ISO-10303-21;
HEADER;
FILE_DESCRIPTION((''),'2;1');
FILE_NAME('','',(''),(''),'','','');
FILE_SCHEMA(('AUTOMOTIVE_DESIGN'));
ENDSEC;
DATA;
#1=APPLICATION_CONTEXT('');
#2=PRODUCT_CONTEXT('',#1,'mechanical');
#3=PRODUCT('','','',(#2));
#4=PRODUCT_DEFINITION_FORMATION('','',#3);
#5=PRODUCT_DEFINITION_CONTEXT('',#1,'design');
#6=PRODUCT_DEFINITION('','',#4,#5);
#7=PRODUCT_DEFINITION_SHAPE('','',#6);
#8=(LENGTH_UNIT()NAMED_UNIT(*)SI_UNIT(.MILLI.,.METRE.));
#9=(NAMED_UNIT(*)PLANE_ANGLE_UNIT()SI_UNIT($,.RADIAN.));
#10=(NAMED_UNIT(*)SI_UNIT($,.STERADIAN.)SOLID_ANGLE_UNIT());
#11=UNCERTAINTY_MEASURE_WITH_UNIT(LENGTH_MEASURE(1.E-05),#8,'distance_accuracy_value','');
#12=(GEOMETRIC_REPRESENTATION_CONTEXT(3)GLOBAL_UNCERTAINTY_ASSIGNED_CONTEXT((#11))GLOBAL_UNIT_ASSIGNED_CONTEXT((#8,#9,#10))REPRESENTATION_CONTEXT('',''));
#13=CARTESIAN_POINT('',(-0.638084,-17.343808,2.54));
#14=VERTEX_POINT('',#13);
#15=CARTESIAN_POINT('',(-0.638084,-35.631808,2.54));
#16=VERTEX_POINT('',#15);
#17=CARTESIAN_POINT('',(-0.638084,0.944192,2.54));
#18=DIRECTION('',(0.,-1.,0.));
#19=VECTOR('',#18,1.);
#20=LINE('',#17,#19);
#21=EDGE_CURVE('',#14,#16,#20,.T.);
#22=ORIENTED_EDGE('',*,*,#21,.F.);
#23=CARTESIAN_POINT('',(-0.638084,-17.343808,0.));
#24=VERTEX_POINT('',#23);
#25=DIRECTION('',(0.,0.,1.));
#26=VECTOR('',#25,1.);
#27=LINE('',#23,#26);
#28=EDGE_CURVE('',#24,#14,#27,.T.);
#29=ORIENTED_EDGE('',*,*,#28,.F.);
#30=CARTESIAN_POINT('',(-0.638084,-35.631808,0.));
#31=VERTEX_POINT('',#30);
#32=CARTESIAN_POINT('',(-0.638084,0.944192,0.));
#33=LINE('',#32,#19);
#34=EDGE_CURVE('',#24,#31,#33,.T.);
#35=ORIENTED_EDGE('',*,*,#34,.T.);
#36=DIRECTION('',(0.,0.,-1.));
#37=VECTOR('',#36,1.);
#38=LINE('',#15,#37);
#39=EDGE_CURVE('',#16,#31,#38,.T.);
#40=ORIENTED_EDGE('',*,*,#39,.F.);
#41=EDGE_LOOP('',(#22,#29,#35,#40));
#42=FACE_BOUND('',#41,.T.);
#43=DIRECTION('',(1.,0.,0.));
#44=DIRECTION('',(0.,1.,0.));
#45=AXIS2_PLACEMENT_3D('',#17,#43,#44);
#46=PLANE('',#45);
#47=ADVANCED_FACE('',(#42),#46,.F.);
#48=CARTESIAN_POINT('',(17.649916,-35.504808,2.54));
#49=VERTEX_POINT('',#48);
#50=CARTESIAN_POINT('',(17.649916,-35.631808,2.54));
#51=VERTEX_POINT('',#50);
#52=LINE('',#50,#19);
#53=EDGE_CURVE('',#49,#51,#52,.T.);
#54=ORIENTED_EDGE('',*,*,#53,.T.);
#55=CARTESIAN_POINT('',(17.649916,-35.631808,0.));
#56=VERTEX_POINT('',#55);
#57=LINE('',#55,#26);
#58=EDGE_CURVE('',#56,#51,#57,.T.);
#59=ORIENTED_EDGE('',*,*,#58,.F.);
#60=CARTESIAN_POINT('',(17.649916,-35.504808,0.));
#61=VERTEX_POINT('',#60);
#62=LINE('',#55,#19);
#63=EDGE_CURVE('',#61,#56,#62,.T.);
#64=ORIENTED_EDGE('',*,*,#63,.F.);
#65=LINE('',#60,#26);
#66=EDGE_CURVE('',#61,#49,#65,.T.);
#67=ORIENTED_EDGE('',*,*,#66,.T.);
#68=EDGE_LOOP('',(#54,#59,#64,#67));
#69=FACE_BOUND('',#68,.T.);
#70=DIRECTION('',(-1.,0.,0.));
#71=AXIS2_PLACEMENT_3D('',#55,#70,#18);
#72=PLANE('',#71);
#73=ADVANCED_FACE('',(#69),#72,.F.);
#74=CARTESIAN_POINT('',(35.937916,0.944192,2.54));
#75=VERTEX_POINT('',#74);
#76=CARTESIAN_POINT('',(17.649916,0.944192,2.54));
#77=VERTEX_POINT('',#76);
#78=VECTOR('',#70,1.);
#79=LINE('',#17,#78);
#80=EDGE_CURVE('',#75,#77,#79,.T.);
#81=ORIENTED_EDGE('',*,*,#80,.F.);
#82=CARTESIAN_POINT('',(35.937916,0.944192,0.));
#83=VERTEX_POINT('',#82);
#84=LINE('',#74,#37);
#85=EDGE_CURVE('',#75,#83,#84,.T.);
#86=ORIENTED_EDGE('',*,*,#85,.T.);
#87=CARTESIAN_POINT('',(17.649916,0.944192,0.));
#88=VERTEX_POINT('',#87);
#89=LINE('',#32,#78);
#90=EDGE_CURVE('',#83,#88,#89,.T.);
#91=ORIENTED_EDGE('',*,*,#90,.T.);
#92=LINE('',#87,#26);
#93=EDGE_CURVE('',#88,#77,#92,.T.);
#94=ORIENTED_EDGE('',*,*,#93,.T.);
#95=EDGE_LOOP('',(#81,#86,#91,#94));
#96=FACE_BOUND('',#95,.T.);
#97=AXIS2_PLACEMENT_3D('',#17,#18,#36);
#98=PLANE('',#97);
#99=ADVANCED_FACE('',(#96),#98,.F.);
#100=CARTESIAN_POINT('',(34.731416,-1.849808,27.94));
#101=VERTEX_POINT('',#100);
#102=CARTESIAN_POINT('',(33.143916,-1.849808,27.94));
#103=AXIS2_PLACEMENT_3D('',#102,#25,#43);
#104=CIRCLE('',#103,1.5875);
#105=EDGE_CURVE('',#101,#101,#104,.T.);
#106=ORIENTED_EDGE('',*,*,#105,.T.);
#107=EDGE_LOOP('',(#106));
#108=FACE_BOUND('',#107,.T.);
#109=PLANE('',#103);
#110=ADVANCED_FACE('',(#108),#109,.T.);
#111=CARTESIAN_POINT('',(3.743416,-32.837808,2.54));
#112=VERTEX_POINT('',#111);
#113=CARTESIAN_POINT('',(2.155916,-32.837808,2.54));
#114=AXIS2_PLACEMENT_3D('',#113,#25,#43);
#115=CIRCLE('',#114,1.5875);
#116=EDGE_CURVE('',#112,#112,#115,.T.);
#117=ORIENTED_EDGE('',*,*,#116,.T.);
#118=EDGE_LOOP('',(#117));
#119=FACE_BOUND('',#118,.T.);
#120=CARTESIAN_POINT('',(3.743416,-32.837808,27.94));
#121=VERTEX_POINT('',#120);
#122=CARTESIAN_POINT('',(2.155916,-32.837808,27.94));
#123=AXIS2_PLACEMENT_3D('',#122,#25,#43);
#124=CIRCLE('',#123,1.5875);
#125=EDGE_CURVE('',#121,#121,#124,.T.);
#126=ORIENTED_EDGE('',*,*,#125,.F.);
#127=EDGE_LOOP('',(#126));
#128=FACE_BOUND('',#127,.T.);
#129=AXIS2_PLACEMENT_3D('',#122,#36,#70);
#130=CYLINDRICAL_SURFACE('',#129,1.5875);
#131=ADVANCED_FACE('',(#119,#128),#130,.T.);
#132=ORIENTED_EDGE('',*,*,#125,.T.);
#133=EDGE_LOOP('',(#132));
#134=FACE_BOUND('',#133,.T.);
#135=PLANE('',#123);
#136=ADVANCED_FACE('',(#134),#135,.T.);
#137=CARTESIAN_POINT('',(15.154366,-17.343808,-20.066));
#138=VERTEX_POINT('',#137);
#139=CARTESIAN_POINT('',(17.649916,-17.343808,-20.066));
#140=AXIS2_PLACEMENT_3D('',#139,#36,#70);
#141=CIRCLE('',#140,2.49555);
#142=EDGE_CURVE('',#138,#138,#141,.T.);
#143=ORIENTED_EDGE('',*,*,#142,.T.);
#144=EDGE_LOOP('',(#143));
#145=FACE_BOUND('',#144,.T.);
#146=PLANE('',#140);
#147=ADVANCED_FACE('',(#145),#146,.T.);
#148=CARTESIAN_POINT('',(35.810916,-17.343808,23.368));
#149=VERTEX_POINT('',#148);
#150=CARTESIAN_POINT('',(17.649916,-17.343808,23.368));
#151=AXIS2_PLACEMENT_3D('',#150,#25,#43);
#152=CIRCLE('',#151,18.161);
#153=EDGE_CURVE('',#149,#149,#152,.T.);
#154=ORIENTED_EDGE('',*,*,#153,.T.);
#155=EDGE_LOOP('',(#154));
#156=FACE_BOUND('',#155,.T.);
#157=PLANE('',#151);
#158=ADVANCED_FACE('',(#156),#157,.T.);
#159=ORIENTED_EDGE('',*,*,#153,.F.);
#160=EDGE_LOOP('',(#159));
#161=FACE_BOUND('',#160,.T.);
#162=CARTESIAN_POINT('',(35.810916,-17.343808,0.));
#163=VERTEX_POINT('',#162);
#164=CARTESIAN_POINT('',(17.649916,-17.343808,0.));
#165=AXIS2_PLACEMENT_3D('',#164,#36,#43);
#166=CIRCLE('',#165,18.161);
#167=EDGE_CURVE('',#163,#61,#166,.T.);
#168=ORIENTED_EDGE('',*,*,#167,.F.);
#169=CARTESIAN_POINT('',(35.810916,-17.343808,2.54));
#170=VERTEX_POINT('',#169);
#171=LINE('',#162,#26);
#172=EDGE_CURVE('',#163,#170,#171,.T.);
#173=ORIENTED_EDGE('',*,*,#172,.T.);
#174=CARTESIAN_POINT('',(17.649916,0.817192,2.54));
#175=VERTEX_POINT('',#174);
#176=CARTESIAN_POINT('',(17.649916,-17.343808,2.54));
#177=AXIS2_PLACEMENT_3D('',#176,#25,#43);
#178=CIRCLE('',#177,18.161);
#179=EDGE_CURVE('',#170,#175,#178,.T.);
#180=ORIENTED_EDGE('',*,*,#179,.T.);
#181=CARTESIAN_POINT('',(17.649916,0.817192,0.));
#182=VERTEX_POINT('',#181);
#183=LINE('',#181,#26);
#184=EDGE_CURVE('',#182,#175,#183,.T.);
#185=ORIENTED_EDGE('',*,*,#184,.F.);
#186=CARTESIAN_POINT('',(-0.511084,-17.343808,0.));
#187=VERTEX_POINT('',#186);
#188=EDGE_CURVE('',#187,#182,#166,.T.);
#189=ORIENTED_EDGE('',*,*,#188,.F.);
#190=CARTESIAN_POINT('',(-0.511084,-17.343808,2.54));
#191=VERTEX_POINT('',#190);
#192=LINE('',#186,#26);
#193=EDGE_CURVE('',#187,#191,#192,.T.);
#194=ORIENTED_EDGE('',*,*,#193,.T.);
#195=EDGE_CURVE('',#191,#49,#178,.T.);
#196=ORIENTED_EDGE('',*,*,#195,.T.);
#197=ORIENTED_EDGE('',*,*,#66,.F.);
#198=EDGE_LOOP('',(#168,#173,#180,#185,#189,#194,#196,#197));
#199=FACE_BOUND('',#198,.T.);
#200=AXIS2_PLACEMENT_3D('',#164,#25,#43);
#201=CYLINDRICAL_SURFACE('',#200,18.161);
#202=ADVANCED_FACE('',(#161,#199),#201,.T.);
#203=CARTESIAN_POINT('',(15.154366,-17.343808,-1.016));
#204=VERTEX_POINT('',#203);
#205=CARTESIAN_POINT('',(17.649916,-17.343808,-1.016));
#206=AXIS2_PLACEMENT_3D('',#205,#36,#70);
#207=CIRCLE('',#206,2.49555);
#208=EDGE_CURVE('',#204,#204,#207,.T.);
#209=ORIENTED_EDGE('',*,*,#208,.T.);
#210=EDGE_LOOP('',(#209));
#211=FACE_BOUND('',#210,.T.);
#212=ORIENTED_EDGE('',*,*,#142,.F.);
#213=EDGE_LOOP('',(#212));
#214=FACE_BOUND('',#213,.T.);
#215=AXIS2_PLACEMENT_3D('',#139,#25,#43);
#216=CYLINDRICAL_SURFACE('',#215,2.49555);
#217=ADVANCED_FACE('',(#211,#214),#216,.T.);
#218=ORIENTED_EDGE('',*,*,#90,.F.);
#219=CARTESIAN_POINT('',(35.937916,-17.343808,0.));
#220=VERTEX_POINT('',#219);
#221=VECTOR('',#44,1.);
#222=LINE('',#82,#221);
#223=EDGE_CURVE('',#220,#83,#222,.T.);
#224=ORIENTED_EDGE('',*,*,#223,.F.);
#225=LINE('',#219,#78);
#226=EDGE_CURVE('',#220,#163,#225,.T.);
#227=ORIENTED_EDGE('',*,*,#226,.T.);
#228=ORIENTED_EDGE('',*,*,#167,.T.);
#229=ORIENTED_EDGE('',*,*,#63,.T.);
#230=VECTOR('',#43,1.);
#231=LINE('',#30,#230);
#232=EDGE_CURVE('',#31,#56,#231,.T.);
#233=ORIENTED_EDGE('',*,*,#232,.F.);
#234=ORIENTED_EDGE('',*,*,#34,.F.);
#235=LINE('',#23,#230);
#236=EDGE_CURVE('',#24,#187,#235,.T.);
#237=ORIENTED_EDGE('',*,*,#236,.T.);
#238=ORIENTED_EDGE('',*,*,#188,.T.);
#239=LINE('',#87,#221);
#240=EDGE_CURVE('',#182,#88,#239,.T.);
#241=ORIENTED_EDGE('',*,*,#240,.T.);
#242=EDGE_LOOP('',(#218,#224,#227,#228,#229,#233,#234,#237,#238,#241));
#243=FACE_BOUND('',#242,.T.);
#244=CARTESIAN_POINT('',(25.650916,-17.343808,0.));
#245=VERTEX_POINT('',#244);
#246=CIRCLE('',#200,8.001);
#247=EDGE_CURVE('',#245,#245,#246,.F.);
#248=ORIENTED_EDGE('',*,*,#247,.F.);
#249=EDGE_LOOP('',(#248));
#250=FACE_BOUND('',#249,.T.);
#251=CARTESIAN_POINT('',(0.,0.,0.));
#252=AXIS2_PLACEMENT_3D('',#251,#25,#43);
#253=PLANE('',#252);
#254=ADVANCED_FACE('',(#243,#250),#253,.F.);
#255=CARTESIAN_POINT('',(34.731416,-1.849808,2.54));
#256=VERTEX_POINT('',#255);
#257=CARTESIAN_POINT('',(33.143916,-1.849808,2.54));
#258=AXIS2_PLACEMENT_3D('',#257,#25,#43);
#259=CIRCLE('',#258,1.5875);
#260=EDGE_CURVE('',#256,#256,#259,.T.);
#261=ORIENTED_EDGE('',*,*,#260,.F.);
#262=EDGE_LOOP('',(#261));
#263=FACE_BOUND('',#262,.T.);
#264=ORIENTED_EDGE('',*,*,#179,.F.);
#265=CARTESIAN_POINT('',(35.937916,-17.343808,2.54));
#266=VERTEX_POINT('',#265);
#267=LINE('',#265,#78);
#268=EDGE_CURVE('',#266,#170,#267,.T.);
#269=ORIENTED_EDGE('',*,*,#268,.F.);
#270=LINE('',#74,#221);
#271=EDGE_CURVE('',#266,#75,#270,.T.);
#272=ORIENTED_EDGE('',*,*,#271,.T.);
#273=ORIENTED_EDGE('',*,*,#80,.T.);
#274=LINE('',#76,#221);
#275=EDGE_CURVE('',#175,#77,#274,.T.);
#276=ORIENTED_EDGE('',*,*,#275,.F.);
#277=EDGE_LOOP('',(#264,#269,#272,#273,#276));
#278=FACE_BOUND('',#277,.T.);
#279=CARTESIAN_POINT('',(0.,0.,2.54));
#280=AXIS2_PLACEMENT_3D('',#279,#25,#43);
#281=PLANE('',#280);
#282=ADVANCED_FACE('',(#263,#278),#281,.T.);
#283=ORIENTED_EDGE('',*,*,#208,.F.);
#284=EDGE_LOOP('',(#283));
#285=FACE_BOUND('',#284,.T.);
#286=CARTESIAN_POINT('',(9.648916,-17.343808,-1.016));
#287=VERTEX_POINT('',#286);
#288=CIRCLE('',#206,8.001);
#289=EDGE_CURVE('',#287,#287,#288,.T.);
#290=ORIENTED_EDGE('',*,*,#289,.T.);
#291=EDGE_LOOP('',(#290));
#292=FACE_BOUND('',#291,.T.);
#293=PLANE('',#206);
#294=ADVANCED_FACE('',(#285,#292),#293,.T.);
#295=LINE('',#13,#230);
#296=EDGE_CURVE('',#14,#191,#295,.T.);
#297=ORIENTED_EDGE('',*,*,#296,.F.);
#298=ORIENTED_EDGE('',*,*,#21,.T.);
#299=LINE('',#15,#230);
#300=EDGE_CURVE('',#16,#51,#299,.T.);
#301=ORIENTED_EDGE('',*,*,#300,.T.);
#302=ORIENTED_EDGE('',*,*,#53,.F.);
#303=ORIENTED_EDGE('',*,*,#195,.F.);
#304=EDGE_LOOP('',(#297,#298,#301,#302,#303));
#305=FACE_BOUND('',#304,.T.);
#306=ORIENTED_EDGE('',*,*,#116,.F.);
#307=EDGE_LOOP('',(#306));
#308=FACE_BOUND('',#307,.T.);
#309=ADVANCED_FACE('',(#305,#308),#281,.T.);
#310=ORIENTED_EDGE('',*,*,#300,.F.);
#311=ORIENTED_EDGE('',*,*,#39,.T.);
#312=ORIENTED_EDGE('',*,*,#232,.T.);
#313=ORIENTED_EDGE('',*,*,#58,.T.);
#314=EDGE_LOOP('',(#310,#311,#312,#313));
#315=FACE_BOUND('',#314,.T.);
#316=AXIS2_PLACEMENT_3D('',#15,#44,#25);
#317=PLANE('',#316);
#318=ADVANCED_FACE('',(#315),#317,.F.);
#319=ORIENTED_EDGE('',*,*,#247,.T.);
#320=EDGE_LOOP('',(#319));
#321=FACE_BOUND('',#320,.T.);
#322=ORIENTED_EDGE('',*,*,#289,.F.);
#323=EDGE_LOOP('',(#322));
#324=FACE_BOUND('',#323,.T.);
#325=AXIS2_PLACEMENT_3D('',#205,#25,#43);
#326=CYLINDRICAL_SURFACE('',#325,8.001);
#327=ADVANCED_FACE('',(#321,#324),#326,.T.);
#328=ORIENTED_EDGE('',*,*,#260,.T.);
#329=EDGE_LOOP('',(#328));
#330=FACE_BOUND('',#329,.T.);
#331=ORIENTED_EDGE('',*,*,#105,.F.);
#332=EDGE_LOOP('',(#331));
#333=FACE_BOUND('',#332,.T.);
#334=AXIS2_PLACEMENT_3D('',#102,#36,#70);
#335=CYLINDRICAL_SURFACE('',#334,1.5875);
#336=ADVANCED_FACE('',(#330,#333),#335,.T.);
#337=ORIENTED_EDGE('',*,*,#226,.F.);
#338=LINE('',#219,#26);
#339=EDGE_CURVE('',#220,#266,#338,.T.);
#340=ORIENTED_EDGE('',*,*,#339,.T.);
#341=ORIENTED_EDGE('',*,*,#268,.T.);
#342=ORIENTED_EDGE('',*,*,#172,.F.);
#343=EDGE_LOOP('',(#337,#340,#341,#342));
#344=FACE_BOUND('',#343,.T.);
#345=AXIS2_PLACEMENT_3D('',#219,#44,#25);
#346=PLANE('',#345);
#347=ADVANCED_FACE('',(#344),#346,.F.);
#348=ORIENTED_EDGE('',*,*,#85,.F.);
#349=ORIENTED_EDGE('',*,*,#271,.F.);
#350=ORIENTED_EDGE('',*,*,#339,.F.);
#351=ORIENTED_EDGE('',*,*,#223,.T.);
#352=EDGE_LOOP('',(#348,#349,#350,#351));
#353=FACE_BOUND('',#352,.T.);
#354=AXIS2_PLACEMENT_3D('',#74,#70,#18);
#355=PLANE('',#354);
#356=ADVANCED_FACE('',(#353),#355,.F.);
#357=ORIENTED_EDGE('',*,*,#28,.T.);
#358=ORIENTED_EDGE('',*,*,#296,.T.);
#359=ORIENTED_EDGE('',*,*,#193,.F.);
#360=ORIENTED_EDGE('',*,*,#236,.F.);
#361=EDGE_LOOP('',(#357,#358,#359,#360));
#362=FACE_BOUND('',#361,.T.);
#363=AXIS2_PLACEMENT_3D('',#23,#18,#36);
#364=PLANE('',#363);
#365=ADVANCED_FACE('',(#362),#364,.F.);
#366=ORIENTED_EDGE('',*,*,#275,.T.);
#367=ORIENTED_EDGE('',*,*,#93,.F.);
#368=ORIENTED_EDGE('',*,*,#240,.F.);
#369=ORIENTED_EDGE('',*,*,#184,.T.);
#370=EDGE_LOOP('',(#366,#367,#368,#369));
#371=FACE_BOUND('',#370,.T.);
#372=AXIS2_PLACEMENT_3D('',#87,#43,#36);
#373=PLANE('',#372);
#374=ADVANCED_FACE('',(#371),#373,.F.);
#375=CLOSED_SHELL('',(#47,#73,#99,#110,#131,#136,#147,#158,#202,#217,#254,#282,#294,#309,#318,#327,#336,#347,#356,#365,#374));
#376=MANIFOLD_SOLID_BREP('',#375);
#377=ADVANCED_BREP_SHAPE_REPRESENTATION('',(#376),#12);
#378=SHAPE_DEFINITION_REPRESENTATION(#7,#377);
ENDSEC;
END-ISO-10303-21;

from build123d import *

# Parameters (mm, degrees)
SKETCH1_W           = 36.576
SKETCH1_H           = 36.576
BOSS_EXTRUDE1_DEPTH = 2.54
SKETCH2_R           = 1.5875
BOSS_EXTRUDE2_DEPTH = 25.4
CUT_EXTRUDE4_DEPTH  = 3.54
SKETCH4_R           = 8.001
BOSS_EXTRUDE3_DEPTH = 1.016
SKETCH5_R           = 2.49555
BOSS_EXTRUDE4_DEPTH = 19.05
SKETCH6_R           = 18.161
BOSS_EXTRUDE5_DEPTH = 20.828


with BuildPart() as part:
    # Sketch1 → Boss-Extrude1 (new body)
    with BuildSketch(Plane.XY):
        with Locations((17.649916168, -17.343808383)):
            Rectangle(SKETCH1_W, SKETCH1_H)
    extrude(amount=BOSS_EXTRUDE1_DEPTH)

    # Sketch2 → Boss-Extrude2 (add)
    with BuildSketch(Plane.XY.offset(2.54)):
        with Locations((33.143916168, -1.849808383)):
            Circle(SKETCH2_R)
        with Locations((2.155916168, -32.837808383)):
            Circle(SKETCH2_R)
    extrude(amount=BOSS_EXTRUDE2_DEPTH)

    # Sketch3 → Cut-Extrude4 (cut, through all)
    with BuildSketch(Plane.XY.offset(2.54)):
        with BuildLine():
            Line((-0.638083832, 0.944191617), (-0.638083832, -17.343808383))
            Line((-0.638083832, -17.343808383), (-0.511083832, -17.343808383))
            ThreePointArc((-0.511083832, -17.343808383), (4.808149915, -4.50204213), (17.649916168, 0.817191617))
            Line((17.649916168, 0.817191617), (17.649916168, 0.944191617))
            Line((17.649916168, 0.944191617), (-0.638083832, 0.944191617))
        make_face()
        with BuildLine():
            Line((35.937916168, -35.631808383), (17.649916168, -35.631808383))
            Line((17.649916168, -35.631808383), (17.649916168, -35.504808383))
            ThreePointArc((17.649916168, -35.504808383), (30.491682421, -30.185574636), (35.810916168, -17.343808383))
            Line((35.810916168, -17.343808383), (35.937916168, -17.343808383))
            Line((35.937916168, -17.343808383), (35.937916168, -35.631808383))
        make_face()
    extrude(amount=-CUT_EXTRUDE4_DEPTH, mode=Mode.SUBTRACT)

    # Sketch4 → Boss-Extrude3 (add)
    with BuildSketch(Plane(origin=(0, 0, 0), x_dir=(-1, 0, 0), z_dir=(0, 0, -1))):
        with Locations((-17.649916168, -17.343808383)):
            Circle(SKETCH4_R)
    extrude(amount=BOSS_EXTRUDE3_DEPTH)

    # Sketch5 → Boss-Extrude4 (add)
    with BuildSketch(Plane(origin=(0, 0, -1.016), x_dir=(-1, 0, 0), z_dir=(0, 0, -1))):
        with Locations((-17.649916168, -17.343808383)):
            Circle(SKETCH5_R)
    extrude(amount=BOSS_EXTRUDE4_DEPTH)

    # Sketch6 → Boss-Extrude5 (add)
    with BuildSketch(Plane.XY.offset(2.54)):
        with Locations((17.649916168, -17.343808383)):
            Circle(SKETCH6_R)
    extrude(amount=BOSS_EXTRUDE5_DEPTH)


solid = part.part
